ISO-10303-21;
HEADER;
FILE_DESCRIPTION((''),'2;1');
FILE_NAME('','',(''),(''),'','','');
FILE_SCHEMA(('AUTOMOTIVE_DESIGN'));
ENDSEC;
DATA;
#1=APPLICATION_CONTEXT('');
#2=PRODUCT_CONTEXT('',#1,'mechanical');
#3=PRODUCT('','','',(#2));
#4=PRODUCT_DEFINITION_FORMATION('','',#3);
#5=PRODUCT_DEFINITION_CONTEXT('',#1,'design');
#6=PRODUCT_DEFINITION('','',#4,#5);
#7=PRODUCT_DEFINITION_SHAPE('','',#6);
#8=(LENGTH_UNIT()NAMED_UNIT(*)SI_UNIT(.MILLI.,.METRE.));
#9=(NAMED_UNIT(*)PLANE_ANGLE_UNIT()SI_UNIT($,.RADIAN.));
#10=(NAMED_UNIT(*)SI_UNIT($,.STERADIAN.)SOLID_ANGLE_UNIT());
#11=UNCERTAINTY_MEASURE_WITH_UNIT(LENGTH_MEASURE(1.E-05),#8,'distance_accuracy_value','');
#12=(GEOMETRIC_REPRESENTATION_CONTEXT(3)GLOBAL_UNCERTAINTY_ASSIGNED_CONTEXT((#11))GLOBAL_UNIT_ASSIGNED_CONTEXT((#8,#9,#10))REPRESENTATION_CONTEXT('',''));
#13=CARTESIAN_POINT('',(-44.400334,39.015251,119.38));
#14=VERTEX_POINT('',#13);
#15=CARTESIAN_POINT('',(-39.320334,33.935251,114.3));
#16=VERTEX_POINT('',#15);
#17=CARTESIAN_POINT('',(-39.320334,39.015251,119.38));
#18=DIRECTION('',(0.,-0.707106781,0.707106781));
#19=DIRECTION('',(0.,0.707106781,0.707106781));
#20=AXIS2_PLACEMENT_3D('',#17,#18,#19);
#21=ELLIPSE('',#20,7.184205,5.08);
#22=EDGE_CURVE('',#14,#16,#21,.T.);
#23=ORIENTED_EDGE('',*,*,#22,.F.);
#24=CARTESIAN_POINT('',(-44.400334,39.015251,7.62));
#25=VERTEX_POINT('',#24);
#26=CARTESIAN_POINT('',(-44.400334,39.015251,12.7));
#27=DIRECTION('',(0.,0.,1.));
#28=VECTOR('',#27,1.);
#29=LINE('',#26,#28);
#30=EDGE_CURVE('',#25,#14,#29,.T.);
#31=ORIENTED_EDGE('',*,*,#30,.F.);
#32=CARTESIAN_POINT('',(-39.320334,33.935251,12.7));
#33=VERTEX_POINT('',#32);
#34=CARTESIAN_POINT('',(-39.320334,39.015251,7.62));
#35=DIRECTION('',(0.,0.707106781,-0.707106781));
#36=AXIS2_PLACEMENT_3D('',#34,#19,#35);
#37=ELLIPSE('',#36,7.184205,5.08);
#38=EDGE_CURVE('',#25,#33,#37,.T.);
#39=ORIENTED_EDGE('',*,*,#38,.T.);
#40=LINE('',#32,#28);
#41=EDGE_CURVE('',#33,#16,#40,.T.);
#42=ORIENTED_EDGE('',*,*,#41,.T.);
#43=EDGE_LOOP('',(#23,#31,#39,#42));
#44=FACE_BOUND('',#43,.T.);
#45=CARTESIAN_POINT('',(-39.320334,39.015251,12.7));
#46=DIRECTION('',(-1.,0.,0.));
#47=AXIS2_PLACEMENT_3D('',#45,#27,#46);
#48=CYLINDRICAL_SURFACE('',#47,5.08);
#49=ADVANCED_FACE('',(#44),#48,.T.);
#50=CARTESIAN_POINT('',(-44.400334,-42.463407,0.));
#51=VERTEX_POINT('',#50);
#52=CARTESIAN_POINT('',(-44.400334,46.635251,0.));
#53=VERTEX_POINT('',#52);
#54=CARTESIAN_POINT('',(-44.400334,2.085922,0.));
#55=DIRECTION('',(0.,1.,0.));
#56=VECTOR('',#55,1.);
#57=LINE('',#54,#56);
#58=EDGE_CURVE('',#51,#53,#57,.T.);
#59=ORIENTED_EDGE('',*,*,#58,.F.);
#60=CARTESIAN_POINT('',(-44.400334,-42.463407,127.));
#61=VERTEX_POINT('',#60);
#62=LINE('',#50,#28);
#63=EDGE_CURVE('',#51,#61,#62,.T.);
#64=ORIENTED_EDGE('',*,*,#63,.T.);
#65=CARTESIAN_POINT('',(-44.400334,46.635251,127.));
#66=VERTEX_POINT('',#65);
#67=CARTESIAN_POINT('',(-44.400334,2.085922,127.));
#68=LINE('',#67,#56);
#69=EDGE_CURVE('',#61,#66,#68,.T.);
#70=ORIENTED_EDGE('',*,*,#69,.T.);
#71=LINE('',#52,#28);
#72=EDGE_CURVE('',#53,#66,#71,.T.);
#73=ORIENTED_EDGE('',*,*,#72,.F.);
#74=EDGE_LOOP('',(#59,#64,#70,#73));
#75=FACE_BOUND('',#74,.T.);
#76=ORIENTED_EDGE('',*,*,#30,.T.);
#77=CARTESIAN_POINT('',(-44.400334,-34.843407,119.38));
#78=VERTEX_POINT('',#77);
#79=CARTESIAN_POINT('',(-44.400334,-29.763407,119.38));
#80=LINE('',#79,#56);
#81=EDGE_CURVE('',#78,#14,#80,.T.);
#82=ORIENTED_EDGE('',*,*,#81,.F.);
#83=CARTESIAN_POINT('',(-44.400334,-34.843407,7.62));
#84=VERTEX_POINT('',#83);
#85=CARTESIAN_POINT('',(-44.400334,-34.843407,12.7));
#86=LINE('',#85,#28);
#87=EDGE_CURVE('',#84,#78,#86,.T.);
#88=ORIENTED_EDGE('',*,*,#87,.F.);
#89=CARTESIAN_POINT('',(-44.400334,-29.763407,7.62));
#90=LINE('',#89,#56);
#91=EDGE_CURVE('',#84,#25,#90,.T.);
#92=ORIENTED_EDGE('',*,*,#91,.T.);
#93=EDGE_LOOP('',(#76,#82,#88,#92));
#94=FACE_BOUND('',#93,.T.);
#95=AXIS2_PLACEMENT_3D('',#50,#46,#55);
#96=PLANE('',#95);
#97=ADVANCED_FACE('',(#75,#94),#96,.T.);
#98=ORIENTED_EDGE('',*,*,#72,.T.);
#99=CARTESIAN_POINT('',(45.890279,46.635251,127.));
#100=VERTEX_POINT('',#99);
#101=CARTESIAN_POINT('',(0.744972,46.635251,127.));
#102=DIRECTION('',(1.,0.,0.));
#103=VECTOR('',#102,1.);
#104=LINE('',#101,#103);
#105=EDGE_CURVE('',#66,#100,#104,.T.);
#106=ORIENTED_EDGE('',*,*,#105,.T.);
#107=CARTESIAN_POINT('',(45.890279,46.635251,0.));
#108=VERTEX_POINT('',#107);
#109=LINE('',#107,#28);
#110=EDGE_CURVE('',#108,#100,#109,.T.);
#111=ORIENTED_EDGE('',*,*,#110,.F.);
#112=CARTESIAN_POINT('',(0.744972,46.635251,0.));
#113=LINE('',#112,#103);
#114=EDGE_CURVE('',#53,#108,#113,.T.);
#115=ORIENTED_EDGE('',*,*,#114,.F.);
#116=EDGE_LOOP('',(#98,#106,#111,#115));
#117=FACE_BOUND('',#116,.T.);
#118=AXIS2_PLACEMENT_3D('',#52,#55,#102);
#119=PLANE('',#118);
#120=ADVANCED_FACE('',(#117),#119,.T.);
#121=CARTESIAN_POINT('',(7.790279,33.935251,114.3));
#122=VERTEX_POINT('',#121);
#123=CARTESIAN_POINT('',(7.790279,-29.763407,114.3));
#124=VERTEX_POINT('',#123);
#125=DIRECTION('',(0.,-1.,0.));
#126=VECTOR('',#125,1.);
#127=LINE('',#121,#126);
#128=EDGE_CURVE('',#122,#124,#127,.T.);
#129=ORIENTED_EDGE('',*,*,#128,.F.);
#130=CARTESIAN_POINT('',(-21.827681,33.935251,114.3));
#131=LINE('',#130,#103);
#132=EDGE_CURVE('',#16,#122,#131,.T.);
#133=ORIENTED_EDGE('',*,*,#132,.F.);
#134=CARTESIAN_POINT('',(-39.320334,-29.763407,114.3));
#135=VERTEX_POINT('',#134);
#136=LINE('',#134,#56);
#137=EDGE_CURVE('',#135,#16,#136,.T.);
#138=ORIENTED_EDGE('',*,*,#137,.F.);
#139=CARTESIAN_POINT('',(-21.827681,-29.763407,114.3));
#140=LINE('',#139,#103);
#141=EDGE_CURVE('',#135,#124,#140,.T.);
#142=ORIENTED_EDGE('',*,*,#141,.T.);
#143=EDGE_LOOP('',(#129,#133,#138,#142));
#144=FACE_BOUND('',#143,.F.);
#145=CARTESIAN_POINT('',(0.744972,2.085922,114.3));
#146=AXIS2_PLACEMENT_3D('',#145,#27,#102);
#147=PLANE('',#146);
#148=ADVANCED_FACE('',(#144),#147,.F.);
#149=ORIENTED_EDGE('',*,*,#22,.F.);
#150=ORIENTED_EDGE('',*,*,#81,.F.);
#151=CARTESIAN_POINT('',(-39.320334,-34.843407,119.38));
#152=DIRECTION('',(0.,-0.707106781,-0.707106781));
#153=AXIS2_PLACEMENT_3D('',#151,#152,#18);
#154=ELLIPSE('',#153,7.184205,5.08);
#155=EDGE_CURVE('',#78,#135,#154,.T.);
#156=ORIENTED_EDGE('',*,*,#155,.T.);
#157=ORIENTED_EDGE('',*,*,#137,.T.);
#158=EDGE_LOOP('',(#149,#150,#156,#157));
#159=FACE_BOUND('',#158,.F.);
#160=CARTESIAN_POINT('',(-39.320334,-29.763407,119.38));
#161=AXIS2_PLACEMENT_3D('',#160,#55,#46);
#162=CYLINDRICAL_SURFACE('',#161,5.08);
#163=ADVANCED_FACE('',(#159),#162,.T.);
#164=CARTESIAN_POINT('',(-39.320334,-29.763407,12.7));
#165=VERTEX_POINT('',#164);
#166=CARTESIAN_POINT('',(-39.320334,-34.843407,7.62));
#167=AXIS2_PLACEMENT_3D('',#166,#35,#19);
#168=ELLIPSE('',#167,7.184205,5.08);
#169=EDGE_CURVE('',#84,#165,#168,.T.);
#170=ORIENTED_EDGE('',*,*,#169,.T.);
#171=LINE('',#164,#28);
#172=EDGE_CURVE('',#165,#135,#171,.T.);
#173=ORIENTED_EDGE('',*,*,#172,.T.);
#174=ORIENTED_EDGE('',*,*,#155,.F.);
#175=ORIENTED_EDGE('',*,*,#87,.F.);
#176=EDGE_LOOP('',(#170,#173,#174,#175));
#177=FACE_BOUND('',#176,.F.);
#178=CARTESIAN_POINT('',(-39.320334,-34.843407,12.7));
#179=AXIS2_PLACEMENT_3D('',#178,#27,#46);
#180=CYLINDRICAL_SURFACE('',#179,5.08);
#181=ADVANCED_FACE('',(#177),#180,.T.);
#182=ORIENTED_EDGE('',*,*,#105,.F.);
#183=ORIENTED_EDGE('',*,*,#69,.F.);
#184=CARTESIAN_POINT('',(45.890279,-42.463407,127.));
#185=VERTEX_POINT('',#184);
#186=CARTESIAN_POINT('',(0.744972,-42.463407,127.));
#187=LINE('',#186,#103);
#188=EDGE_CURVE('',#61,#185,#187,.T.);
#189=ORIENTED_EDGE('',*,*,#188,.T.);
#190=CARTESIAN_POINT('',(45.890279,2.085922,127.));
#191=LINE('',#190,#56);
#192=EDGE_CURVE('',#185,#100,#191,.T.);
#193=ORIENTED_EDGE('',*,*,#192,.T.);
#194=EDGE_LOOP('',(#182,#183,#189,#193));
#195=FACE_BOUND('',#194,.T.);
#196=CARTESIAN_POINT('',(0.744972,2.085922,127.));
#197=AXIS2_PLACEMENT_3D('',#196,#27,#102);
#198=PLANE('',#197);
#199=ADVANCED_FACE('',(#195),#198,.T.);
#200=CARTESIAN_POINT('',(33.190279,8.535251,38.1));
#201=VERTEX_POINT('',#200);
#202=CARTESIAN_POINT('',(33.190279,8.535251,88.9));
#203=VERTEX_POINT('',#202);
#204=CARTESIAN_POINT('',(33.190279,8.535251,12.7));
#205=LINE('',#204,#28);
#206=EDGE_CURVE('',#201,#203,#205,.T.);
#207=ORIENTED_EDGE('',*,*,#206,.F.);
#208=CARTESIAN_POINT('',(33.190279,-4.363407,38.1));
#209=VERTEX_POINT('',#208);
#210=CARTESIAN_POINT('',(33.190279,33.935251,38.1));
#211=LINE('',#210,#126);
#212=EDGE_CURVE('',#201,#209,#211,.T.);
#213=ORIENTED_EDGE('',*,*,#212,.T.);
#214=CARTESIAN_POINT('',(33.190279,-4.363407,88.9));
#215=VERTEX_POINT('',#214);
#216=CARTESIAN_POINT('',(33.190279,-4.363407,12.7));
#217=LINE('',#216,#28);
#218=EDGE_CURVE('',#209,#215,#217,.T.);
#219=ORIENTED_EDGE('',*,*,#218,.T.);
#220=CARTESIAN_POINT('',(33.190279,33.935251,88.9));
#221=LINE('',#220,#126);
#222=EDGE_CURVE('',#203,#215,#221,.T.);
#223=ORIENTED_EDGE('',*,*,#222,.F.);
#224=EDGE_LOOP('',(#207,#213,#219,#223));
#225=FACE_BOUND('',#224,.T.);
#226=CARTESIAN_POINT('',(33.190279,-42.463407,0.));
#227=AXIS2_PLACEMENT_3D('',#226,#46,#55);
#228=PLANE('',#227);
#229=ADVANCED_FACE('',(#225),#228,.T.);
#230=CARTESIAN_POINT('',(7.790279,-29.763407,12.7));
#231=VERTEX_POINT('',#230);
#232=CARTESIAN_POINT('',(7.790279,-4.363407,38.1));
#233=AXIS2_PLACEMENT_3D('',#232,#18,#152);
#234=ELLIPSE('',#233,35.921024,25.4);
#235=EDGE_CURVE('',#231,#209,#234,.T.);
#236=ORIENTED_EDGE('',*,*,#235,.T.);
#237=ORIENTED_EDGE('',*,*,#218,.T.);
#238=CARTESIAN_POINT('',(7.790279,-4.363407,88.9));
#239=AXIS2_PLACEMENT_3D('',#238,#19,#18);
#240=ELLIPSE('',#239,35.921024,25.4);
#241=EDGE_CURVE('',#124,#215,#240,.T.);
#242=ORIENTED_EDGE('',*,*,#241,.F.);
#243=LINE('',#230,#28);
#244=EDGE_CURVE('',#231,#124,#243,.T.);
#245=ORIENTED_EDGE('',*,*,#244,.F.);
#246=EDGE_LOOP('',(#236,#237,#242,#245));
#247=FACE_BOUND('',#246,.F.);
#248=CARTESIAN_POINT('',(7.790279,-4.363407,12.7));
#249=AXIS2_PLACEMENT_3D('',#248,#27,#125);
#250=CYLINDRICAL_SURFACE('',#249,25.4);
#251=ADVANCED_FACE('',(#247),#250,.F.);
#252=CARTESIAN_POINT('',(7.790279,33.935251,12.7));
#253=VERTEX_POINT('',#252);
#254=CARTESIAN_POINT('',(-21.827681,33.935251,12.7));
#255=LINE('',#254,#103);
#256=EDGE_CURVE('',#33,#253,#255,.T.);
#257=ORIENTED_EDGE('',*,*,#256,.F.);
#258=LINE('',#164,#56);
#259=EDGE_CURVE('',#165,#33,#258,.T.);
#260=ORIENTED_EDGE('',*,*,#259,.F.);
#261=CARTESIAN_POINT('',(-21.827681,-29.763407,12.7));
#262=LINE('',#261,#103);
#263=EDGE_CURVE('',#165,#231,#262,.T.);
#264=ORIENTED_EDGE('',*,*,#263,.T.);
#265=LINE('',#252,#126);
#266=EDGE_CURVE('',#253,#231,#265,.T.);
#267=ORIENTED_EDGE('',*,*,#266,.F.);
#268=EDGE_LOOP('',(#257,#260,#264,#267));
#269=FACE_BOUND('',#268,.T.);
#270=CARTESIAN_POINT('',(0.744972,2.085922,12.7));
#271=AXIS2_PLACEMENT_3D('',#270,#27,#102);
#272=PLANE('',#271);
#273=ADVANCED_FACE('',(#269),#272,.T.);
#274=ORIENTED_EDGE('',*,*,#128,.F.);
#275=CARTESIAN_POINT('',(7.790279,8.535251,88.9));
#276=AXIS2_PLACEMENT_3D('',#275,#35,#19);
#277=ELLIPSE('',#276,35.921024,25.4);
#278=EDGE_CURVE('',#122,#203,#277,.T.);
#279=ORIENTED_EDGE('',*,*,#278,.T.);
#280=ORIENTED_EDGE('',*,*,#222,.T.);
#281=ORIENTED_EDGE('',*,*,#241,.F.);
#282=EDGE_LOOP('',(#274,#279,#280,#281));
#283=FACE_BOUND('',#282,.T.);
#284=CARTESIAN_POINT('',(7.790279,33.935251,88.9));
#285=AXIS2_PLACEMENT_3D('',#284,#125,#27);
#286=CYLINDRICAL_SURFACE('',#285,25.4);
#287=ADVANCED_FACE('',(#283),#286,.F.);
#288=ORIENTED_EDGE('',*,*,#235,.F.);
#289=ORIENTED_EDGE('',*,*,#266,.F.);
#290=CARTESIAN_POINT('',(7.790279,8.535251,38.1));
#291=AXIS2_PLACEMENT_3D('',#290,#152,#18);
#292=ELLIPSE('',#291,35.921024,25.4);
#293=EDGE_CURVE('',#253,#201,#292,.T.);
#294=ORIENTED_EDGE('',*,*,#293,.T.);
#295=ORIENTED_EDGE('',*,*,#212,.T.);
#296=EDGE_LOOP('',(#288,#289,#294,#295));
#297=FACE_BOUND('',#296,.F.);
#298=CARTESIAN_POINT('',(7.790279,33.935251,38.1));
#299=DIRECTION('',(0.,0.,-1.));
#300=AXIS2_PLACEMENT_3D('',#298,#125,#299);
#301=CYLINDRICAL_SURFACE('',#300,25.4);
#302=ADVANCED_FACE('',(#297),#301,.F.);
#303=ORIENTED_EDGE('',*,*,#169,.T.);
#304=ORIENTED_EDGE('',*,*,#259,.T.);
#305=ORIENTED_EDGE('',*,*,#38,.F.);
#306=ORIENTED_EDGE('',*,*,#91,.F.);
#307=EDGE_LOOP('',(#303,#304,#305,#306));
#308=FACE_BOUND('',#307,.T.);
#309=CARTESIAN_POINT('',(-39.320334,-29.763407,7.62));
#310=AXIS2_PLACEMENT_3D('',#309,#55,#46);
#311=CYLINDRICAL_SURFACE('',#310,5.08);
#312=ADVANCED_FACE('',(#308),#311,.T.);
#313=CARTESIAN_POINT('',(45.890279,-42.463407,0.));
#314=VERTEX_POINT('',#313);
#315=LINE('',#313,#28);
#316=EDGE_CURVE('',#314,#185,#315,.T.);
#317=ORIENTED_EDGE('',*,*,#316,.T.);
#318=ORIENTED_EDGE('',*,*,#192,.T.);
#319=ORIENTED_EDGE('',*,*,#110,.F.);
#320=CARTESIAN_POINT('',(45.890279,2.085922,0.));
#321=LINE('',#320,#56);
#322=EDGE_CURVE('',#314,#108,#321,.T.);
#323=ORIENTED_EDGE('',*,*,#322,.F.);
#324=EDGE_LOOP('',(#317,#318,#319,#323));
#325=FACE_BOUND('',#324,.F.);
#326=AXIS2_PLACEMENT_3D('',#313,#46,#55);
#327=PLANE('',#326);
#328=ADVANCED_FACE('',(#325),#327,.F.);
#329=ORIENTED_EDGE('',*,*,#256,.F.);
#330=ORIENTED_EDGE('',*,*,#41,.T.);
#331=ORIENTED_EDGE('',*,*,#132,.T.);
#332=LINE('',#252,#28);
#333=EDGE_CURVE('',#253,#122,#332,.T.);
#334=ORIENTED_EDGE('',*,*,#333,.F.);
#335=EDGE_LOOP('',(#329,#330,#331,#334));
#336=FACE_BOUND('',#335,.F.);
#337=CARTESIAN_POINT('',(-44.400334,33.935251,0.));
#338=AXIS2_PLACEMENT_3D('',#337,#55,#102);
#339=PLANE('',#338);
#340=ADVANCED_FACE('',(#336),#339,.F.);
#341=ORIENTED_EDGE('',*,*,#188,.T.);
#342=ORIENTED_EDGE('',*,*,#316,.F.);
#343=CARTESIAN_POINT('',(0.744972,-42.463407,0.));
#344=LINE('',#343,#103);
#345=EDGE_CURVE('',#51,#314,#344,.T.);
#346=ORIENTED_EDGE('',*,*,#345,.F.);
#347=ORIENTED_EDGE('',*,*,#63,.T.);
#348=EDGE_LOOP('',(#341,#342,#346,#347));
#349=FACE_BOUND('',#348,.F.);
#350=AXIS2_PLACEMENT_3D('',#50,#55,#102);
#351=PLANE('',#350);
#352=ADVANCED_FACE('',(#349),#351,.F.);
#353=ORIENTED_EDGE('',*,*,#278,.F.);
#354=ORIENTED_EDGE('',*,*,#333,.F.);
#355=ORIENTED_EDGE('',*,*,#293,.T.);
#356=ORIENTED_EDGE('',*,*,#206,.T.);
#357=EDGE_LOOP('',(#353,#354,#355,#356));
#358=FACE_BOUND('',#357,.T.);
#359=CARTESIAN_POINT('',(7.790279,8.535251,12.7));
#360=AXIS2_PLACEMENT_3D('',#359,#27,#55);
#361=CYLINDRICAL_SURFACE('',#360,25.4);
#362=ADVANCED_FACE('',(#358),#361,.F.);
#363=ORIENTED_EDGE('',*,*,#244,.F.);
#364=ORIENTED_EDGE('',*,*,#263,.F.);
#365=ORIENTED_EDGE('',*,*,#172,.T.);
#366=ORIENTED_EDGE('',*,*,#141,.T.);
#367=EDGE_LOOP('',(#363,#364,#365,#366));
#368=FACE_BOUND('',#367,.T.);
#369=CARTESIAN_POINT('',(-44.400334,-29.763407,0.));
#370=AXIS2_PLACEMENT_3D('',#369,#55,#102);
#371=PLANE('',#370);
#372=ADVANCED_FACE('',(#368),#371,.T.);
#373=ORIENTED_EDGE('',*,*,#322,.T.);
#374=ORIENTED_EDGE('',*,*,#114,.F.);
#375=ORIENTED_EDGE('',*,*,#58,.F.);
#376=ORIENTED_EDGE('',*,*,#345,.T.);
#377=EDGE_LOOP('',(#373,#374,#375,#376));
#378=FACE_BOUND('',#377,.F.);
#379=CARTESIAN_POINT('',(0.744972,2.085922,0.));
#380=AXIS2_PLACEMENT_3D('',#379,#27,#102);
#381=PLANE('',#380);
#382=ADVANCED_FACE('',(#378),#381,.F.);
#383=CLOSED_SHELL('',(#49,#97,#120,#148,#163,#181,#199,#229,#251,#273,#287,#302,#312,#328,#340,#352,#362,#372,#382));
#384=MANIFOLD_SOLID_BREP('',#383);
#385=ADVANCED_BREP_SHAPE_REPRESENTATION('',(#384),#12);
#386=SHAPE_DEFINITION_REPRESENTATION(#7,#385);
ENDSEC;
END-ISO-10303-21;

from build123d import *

# Parameters (mm, degrees)
F0_W     = 90.2906134725
F0_H     = 89.0986584127
F1_DEPTH = 127
F2_T     = -12.7
F3_R     = 5.08
F4_R     = 25.4


with BuildPart() as f1:
    # F0 (on Top) → F1 (new body)
    with BuildSketch(Plane.XY):
        with Locations((0.744972378, 2.0859222859)):
            Rectangle(F0_W, F0_H)
    extrude(amount=F1_DEPTH)

    # F2
    f2_openings = [f1.faces().sort_by_distance(p)[0] for p in [
        (-44.400334, 2.085922, 63.5),
    ]]
    offset(amount=F2_T, openings=f2_openings)

    # F3
    f3_edges = [f1.edges().sort_by_distance(p)[0] for p in [
        (-44.400334, -29.763407, 63.5),
        (-44.400334, 2.085922, 12.7),
        (-44.400334, 33.935251, 63.5),
        (-44.400334, 2.085922, 114.3),
    ]]
    fillet(f3_edges, radius=F3_R)

    # F4
    f4_edges = [f1.edges().sort_by_distance(p)[0] for p in [
        (33.190279, 2.085922, 12.7),
        (33.190279, 33.935251, 63.5),
        (33.190279, 2.085922, 114.3),
        (33.190279, -29.763407, 63.5),
    ]]
    fillet(f4_edges, radius=F4_R)


solid = f1.part
